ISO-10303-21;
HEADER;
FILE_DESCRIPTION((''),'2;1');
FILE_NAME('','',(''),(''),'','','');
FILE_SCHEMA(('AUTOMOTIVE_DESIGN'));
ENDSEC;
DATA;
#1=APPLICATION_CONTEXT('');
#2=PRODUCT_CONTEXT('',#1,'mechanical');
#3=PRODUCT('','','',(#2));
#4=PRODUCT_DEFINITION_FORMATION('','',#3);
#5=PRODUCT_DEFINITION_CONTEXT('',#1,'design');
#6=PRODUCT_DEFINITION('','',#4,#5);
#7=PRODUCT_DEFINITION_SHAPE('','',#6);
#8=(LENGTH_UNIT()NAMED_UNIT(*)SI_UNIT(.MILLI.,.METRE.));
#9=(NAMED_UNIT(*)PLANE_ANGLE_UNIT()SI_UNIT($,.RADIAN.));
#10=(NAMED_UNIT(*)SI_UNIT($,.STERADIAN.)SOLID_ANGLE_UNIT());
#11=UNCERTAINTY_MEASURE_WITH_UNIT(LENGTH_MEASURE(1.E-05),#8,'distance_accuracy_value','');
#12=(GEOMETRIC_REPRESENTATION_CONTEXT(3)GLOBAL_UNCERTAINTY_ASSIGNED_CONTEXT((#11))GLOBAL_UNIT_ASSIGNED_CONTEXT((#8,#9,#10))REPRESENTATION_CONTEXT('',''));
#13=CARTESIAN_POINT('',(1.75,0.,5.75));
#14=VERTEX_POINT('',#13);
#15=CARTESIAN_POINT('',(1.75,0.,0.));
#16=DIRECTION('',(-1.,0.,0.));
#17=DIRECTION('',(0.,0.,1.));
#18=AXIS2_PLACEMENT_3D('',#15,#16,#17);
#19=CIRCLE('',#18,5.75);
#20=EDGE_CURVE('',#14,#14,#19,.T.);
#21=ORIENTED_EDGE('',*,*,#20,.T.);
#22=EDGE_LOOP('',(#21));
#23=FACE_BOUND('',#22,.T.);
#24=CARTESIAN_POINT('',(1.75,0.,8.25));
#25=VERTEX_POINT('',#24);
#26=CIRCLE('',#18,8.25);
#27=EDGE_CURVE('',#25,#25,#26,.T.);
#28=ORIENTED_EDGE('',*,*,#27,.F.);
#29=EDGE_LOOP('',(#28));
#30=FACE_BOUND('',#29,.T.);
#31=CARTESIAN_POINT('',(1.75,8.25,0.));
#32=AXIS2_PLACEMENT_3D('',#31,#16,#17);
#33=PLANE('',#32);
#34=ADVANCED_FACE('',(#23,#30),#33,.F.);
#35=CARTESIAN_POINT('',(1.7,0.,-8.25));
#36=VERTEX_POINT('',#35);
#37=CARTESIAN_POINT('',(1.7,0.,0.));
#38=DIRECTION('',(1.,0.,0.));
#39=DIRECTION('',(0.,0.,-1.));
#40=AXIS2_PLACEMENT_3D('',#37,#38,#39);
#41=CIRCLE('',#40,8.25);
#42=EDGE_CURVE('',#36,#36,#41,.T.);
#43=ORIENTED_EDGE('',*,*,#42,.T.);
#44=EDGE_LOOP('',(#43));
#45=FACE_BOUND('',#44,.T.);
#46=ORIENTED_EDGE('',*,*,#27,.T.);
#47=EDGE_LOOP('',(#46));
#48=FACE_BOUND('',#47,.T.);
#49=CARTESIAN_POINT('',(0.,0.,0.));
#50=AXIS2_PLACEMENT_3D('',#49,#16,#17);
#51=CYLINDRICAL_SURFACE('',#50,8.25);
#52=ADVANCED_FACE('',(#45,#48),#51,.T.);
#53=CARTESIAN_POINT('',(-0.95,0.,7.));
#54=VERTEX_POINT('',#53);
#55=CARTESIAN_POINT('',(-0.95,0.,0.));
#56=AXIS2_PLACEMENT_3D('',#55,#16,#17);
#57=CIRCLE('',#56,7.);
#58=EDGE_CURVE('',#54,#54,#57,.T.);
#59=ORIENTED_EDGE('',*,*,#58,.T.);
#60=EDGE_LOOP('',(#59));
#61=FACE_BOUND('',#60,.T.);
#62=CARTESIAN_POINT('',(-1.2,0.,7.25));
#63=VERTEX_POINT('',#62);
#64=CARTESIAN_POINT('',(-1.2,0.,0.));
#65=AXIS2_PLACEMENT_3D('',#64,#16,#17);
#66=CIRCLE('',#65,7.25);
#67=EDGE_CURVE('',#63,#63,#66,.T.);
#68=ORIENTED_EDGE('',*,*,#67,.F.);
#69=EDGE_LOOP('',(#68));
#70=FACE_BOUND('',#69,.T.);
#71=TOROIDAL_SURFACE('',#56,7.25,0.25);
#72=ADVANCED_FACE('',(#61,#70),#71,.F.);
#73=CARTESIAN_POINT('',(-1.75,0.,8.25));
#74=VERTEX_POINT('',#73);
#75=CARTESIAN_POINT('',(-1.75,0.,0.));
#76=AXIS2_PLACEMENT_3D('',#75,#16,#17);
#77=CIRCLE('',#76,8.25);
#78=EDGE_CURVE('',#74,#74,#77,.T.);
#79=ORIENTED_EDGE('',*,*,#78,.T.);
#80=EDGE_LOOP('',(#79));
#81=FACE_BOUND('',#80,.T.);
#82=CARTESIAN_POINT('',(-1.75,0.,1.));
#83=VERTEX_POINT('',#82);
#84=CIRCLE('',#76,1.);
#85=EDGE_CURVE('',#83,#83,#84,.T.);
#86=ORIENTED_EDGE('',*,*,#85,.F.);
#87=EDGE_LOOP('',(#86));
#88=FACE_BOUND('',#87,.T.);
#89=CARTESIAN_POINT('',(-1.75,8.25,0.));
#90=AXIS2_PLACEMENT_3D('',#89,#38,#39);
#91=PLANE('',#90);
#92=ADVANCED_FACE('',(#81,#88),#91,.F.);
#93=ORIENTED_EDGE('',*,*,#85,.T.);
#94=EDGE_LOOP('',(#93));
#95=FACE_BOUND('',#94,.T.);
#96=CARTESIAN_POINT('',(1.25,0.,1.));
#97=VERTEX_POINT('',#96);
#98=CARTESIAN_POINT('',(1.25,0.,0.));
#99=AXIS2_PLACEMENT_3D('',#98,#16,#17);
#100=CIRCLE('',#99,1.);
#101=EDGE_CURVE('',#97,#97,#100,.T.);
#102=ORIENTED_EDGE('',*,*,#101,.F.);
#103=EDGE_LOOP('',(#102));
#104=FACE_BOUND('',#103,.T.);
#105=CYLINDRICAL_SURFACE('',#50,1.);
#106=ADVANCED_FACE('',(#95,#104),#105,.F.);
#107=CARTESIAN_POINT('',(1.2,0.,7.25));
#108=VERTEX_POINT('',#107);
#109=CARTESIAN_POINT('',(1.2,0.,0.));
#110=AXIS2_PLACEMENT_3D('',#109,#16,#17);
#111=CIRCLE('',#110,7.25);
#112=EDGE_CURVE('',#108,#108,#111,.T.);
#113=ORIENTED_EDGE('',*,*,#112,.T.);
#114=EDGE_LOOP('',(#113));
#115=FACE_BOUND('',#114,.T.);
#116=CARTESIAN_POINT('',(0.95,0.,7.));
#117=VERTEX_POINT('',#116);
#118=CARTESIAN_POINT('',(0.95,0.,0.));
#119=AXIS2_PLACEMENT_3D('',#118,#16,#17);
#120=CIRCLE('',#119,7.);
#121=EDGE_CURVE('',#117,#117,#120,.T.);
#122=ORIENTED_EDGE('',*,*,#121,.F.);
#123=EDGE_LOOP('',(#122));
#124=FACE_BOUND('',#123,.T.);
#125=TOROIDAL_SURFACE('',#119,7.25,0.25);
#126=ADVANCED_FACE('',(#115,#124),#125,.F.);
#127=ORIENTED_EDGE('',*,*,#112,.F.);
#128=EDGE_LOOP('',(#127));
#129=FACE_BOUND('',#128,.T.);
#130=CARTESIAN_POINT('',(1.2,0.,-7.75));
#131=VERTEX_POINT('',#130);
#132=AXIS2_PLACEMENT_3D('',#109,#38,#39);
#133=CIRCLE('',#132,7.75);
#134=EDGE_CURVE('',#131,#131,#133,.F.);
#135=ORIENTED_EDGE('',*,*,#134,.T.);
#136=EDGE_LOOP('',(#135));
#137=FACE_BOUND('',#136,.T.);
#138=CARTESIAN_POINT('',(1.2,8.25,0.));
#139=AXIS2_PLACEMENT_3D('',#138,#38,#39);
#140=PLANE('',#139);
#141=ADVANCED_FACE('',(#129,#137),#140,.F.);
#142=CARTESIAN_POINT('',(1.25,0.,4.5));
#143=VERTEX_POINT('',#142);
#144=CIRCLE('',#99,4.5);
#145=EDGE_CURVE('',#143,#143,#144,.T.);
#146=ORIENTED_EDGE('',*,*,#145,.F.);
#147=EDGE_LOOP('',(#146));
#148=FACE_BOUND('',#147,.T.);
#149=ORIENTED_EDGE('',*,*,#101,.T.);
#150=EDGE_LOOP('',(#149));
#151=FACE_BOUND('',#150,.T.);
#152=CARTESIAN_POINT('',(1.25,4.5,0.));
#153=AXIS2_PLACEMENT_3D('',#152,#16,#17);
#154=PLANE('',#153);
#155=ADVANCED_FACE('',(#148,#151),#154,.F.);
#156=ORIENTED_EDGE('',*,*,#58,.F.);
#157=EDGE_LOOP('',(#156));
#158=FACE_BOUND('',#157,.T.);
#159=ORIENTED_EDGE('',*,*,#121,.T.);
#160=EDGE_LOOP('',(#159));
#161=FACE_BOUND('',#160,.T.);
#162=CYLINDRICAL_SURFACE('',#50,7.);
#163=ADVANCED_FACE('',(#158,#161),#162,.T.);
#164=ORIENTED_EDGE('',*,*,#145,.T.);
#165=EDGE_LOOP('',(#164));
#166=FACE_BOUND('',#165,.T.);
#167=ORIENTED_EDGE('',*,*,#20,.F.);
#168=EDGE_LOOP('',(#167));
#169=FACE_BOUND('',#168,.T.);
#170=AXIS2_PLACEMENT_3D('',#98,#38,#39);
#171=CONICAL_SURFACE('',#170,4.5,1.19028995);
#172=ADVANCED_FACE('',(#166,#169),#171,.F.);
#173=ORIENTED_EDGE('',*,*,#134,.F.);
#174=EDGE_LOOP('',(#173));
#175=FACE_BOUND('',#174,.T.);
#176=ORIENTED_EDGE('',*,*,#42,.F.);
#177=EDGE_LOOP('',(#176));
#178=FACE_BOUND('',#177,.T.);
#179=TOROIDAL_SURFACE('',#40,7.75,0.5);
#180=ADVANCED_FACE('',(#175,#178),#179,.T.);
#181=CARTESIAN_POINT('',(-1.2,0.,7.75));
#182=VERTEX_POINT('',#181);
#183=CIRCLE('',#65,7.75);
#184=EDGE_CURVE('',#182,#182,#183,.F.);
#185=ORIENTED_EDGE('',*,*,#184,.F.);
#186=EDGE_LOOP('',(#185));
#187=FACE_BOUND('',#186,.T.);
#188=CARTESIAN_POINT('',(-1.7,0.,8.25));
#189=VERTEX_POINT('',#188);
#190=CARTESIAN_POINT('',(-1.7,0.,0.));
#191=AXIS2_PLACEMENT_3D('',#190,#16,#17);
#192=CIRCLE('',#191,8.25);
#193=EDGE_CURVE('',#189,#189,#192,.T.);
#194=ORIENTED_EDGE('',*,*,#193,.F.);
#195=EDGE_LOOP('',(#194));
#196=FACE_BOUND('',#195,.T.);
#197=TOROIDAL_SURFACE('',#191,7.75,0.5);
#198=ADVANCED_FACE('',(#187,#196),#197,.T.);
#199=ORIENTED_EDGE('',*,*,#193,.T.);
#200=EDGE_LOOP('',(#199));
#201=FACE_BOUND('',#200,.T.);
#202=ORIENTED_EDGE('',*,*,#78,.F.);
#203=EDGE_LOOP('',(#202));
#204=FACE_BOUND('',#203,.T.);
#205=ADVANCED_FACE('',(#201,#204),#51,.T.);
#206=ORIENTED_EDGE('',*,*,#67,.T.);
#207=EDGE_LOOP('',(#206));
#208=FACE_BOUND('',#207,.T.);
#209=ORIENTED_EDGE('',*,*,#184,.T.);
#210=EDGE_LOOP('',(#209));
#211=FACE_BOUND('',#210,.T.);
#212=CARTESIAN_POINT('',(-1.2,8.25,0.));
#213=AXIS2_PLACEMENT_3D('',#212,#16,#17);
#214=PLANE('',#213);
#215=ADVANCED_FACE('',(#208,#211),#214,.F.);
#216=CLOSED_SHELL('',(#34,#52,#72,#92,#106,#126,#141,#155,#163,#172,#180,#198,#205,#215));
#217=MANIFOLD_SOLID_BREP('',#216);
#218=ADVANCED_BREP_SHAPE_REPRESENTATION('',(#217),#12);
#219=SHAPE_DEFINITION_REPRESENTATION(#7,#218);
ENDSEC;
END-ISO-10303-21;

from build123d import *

# Parameters (mm, degrees)
FILLET1_R = 0.5


with BuildPart() as part:
    # Sketch1 → Revolve1 (revolve)
    with BuildSketch(Plane.XY):
        with BuildLine():
            Line((1.75, 8.25), (1.2, 8.25))
            Line((1.2, 8.25), (1.2, 7.25))
            ThreePointArc((1.2, 7.25), (1.126776695, 7.073223305), (0.95, 7))
            Line((0.95, 7), (-0.95, 7))
            ThreePointArc((-0.95, 7), (-1.126776695, 7.073223305), (-1.2, 7.25))
            Line((-1.2, 7.25), (-1.2, 8.25))
            Line((-1.2, 8.25), (-1.75, 8.25))
            Line((-1.75, 8.25), (-1.75, 1))
            Line((-1.75, 1), (1.25, 1))
            Line((1.25, 1), (1.25, 4.5))
            Line((1.25, 4.5), (1.75, 5.75))
            Line((1.75, 5.75), (1.75, 8.25))
        make_face()
    revolve(axis=Axis((0, 0, 0), (1, 0, 0)))

    # Fillet1
    fillet1_edges = [part.edges().sort_by_distance(p)[0] for p in [
        (1.2, -8.25, 0),
        (-1.2, -8.25, 0),
    ]]
    fillet(fillet1_edges, radius=FILLET1_R)


solid = part.part
